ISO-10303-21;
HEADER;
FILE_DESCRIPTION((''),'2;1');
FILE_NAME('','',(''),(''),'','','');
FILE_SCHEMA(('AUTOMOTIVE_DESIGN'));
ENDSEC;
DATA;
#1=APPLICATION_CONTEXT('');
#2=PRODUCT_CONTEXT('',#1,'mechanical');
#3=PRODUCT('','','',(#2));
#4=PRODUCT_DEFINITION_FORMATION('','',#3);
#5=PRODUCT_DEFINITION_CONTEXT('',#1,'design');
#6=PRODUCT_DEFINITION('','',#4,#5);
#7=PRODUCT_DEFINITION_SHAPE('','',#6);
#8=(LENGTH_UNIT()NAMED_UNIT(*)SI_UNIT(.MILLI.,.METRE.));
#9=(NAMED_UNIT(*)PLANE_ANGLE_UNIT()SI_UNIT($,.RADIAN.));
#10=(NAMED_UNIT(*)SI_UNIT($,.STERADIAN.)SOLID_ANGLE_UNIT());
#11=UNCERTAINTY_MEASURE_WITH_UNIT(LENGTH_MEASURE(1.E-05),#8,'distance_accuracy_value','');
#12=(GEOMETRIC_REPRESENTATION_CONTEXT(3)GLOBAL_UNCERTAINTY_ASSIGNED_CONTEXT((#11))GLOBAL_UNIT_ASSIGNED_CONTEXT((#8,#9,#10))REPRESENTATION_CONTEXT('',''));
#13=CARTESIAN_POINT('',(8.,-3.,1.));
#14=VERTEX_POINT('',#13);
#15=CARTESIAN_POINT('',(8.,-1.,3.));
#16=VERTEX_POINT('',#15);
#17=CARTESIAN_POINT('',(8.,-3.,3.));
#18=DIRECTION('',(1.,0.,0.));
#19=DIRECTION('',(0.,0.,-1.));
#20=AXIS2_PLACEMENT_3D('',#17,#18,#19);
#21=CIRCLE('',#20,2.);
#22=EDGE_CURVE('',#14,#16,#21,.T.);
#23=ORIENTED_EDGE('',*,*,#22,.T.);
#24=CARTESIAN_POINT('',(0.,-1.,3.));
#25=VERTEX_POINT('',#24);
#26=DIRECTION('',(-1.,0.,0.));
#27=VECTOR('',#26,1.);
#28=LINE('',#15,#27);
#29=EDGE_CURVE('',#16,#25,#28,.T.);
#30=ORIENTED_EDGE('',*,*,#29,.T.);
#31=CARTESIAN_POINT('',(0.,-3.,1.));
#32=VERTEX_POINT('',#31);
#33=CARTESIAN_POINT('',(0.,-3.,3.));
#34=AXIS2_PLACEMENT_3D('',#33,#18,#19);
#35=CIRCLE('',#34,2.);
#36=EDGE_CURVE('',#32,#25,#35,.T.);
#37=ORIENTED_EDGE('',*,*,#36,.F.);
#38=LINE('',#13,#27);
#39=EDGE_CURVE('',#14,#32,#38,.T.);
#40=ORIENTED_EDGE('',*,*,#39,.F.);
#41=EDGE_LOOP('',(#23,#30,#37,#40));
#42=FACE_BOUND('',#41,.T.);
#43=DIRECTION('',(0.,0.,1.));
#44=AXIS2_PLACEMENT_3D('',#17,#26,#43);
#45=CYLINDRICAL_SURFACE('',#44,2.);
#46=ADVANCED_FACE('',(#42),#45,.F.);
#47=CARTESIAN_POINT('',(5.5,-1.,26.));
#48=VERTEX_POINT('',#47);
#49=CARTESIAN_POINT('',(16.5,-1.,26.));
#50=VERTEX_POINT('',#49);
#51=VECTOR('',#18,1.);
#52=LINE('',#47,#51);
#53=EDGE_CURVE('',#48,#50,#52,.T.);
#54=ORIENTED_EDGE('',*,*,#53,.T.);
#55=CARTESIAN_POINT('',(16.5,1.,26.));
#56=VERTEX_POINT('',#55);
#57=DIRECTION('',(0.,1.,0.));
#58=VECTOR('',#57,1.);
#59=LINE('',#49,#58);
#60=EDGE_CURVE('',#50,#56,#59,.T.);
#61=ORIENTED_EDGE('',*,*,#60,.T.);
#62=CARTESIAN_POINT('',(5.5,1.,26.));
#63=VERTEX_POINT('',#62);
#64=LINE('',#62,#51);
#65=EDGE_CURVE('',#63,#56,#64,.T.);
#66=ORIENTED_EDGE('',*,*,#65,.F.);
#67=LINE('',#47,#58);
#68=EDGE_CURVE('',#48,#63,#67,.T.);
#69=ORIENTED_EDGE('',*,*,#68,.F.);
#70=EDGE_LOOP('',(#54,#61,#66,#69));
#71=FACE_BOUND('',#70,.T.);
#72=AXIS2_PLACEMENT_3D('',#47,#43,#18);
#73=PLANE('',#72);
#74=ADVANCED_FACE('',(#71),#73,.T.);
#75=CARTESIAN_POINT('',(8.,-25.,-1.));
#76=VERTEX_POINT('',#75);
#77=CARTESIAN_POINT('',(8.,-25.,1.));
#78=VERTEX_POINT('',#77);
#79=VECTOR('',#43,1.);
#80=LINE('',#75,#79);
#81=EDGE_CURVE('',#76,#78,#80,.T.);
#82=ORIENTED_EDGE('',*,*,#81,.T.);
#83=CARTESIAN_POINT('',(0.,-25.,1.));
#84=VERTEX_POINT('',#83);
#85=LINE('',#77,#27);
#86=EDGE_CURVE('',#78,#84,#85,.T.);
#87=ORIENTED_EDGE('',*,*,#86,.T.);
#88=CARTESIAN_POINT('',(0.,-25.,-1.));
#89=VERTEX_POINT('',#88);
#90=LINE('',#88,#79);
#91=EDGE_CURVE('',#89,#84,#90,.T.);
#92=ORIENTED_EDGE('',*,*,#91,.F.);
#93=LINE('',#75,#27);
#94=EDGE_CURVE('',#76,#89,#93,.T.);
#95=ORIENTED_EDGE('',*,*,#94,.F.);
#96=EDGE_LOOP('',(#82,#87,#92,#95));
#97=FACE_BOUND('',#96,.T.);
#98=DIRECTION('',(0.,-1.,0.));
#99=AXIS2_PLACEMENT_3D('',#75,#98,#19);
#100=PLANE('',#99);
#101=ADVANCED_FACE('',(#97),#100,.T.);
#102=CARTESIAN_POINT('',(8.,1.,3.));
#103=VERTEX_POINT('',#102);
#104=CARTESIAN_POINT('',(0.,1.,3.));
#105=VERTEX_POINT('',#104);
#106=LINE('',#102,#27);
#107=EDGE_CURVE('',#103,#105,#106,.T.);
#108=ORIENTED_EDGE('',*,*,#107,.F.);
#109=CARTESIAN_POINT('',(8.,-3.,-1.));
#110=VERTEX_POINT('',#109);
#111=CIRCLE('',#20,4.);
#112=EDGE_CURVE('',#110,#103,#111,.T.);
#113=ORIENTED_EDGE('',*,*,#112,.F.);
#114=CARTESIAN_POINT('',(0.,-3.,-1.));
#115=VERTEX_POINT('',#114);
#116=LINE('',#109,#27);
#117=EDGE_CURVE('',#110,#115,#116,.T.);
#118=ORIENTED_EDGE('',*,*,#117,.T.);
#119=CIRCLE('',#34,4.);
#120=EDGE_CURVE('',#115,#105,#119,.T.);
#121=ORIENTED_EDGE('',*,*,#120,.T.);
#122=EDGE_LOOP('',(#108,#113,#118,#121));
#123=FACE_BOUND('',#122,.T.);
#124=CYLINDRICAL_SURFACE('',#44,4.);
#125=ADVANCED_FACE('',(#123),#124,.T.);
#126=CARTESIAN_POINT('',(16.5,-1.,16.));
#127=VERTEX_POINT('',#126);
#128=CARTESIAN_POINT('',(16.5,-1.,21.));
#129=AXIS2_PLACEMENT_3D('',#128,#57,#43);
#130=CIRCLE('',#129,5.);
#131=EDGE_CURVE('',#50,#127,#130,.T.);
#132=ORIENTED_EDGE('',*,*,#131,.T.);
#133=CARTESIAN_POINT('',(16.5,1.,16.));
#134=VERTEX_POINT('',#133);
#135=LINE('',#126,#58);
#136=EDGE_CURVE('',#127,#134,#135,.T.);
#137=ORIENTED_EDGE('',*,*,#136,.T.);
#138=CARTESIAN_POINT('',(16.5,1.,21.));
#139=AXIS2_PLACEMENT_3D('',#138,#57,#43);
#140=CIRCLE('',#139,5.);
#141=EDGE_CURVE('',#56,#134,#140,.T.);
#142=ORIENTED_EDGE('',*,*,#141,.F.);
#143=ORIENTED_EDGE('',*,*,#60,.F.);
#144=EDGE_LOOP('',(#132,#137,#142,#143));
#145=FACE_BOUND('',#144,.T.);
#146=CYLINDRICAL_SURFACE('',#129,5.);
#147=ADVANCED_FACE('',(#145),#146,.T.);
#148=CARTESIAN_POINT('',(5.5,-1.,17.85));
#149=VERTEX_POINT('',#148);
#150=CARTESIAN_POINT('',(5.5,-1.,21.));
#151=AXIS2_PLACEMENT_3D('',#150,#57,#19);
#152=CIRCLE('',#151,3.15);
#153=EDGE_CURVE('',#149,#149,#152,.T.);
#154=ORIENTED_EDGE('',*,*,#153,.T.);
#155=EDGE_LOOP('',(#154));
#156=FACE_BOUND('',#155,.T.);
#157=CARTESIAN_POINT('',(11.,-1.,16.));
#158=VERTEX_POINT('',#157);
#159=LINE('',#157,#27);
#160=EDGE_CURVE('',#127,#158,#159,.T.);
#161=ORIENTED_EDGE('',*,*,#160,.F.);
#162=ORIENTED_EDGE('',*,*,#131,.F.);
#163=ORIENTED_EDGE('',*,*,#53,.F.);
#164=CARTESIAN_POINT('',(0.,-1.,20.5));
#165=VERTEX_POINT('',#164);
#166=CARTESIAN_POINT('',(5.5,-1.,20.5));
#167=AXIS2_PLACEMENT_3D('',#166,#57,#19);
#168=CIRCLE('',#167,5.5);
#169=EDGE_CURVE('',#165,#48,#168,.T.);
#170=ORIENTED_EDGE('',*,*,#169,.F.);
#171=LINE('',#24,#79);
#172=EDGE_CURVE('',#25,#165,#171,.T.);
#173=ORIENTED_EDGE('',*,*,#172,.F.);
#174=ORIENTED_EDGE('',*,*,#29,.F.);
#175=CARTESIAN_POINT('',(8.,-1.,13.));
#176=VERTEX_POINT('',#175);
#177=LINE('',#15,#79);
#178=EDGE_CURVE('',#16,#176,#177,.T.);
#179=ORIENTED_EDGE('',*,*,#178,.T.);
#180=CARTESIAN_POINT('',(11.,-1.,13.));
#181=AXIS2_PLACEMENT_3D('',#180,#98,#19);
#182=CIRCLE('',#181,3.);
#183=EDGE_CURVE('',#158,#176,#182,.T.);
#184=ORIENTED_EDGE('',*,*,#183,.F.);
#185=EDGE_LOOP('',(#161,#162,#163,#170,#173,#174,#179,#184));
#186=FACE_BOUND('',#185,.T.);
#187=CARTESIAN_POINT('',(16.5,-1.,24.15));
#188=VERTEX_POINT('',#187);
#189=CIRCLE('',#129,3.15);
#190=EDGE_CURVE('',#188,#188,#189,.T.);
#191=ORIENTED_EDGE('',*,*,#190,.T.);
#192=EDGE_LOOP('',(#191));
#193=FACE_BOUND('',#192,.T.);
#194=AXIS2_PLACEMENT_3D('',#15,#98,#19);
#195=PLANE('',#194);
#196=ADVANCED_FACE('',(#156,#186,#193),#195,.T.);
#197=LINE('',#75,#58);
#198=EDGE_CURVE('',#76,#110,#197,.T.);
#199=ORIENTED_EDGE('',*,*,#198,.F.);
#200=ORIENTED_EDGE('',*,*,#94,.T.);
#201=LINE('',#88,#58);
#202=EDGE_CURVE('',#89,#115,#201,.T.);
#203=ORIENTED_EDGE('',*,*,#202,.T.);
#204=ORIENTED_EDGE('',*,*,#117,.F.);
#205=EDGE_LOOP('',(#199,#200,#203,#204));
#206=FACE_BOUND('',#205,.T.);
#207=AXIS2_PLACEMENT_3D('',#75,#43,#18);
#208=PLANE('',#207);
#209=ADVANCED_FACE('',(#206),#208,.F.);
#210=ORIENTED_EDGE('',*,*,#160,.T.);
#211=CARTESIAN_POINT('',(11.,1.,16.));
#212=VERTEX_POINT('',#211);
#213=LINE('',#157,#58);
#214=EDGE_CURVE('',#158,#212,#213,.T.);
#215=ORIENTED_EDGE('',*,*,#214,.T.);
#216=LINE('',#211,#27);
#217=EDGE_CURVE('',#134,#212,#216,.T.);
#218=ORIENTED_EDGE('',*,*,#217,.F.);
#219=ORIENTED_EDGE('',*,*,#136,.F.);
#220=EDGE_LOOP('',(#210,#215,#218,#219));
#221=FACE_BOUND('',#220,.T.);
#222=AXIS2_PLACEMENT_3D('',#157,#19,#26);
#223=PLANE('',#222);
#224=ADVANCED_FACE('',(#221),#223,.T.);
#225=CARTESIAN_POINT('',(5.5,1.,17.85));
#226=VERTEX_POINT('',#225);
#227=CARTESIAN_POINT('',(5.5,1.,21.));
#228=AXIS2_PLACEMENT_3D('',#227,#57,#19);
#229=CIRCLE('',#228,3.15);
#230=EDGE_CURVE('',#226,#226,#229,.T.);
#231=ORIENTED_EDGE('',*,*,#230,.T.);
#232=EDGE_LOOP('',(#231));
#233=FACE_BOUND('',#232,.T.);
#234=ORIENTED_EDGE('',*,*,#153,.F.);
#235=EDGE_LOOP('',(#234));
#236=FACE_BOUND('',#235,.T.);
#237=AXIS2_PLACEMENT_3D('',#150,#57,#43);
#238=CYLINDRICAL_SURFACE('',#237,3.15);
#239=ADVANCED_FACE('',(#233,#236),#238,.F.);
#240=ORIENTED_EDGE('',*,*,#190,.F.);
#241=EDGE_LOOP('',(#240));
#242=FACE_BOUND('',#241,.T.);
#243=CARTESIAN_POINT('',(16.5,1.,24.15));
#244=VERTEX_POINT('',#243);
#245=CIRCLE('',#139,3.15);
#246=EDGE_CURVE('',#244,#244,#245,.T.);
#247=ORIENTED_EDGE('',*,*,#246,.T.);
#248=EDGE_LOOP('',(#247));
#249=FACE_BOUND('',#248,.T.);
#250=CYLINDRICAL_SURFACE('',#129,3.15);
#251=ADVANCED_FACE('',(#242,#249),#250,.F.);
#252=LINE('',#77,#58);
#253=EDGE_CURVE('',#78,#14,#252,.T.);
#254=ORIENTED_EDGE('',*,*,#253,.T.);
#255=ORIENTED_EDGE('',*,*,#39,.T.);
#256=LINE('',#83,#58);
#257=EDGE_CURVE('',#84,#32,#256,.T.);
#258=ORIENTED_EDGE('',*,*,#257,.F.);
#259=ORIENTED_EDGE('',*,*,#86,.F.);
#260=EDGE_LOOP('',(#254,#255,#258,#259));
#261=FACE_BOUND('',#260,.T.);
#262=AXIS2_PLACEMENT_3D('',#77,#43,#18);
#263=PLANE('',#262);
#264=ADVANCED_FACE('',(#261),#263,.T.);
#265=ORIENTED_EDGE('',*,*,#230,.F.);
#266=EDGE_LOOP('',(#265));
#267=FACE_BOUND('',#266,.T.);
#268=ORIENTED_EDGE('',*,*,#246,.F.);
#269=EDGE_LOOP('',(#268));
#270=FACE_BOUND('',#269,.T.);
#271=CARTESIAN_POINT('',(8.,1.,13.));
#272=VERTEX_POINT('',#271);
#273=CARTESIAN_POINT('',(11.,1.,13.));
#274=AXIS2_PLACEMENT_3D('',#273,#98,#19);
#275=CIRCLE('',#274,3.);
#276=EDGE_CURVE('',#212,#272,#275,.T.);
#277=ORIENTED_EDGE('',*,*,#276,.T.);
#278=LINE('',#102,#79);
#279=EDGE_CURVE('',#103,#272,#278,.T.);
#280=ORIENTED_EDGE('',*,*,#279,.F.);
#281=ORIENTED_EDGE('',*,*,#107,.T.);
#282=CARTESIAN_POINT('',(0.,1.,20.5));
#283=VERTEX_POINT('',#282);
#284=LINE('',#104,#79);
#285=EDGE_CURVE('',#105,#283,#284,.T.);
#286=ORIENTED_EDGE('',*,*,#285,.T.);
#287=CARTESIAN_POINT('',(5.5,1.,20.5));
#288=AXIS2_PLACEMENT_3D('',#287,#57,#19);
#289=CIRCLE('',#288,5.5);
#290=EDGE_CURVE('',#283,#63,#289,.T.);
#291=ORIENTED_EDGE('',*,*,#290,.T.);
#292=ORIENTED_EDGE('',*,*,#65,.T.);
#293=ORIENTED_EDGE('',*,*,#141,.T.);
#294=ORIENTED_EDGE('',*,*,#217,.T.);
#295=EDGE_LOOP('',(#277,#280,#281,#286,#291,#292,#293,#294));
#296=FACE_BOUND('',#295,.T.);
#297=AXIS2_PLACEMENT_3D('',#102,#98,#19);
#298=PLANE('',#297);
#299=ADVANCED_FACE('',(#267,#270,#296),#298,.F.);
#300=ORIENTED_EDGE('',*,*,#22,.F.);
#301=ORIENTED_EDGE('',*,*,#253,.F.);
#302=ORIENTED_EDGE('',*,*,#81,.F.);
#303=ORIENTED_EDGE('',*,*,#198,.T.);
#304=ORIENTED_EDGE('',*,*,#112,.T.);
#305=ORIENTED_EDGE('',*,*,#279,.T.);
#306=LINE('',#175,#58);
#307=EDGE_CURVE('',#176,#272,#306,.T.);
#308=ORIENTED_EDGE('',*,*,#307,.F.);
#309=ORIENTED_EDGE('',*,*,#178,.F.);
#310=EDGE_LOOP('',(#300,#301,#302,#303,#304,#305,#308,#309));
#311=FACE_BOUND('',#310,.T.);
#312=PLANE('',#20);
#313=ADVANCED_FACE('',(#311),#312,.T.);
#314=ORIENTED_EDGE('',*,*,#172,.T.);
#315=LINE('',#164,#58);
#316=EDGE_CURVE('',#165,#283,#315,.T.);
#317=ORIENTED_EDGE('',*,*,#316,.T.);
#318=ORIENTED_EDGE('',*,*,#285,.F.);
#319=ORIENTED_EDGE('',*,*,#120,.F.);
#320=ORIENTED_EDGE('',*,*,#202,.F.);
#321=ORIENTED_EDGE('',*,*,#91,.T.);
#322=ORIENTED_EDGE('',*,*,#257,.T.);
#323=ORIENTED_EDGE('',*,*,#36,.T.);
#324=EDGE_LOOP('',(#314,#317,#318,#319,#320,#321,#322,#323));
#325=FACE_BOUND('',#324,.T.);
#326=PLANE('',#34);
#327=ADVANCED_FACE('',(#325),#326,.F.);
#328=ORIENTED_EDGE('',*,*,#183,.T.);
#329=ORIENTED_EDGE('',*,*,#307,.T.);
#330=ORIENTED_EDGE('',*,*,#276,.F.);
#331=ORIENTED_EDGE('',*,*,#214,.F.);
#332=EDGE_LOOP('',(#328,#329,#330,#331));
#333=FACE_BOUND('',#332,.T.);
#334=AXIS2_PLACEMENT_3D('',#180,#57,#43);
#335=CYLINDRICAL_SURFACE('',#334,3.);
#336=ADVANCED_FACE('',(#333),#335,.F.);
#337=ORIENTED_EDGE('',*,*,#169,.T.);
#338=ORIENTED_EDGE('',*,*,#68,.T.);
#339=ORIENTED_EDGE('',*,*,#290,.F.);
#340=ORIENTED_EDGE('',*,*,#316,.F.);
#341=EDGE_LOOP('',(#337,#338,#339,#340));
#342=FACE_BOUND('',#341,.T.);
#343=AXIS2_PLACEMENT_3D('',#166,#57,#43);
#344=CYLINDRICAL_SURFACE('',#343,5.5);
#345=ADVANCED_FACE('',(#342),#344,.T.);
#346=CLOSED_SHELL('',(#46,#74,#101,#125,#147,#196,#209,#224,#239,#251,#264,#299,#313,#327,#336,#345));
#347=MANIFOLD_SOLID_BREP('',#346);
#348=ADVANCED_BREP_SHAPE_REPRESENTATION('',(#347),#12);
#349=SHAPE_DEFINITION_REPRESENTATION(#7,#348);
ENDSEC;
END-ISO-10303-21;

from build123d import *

# Parameters (mm, degrees)
EXTRUDE_THIN1_DEPTH = 8
CHAMFER1_SIZE       = 6
SKETCH2_R           = 3.15
BOSS_EXTRUDE1_DEPTH = 2
SKETCH3_R           = 3.15
CUT_EXTRUDE1_DEPTH  = 10.6


with BuildPart() as part:
    # Sketch1 → Extrude-Thin1 (new body)
    with BuildSketch(Plane(origin=(0, 0, 0), x_dir=(0, 0, -1), z_dir=(1, 0, 0))):
        with BuildLine():
            Line((1, -25), (1, -3))
            ThreePointArc((1, -3), (-0.171572875, -0.171572875), (-3, 1))
            Line((-3, 1), (-21, 1))
            Line((-21, 1), (-21, -1))
            Line((-21, -1), (-3, -1))
            ThreePointArc((-3, -1), (-1.585786438, -1.585786438), (-1, -3))
            Line((-1, -3), (-1, -25))
            Line((-1, -25), (1, -25))
        make_face()
    extrude(amount=EXTRUDE_THIN1_DEPTH)

    # Chamfer1
    chamfer1_edges = [part.edges().sort_by_distance(p)[0] for p in [
        (0, 0, 21),
    ]]
    chamfer(chamfer1_edges, length=CHAMFER1_SIZE)

    # Sketch2 → Boss-Extrude1 (add)
    with BuildSketch(Plane(origin=(0, 1, 0), x_dir=(1, 0, 0), z_dir=(0, 1, 0))):
        with BuildLine():
            Line((0, -20.5), (0, -3))
            Line((0, -3), (8, -13))
            ThreePointArc((8, -13), (8.878679656, -15.121320344), (11, -16))
            Line((11, -16), (16.5, -16))
            ThreePointArc((16.5, -16), (21.5, -21), (16.5, -26))
            Line((16.5, -26), (5.5, -26))
            ThreePointArc((5.5, -26), (1.610912703, -24.389087297), (0, -20.5))
        make_face()
        with Locations(Location((16.5, -21, 0), (0, 0, 270))):
            Circle(SKETCH2_R, mode=Mode.SUBTRACT)
        with Locations((5.5, -21)):
            Circle(SKETCH2_R, mode=Mode.SUBTRACT)
    extrude(amount=-BOSS_EXTRUDE1_DEPTH)

    # Sketch3 → Cut-Extrude1 (cut)
    with BuildSketch(Plane(origin=(0, 1, 0), x_dir=(1, 0, 0), z_dir=(0, 1, 0))):
        with Locations(Location((5.5, -21, 0), (0, 0, 90))):
            Circle(SKETCH3_R)
    extrude(amount=-CUT_EXTRUDE1_DEPTH, mode=Mode.SUBTRACT)


solid = part.part
